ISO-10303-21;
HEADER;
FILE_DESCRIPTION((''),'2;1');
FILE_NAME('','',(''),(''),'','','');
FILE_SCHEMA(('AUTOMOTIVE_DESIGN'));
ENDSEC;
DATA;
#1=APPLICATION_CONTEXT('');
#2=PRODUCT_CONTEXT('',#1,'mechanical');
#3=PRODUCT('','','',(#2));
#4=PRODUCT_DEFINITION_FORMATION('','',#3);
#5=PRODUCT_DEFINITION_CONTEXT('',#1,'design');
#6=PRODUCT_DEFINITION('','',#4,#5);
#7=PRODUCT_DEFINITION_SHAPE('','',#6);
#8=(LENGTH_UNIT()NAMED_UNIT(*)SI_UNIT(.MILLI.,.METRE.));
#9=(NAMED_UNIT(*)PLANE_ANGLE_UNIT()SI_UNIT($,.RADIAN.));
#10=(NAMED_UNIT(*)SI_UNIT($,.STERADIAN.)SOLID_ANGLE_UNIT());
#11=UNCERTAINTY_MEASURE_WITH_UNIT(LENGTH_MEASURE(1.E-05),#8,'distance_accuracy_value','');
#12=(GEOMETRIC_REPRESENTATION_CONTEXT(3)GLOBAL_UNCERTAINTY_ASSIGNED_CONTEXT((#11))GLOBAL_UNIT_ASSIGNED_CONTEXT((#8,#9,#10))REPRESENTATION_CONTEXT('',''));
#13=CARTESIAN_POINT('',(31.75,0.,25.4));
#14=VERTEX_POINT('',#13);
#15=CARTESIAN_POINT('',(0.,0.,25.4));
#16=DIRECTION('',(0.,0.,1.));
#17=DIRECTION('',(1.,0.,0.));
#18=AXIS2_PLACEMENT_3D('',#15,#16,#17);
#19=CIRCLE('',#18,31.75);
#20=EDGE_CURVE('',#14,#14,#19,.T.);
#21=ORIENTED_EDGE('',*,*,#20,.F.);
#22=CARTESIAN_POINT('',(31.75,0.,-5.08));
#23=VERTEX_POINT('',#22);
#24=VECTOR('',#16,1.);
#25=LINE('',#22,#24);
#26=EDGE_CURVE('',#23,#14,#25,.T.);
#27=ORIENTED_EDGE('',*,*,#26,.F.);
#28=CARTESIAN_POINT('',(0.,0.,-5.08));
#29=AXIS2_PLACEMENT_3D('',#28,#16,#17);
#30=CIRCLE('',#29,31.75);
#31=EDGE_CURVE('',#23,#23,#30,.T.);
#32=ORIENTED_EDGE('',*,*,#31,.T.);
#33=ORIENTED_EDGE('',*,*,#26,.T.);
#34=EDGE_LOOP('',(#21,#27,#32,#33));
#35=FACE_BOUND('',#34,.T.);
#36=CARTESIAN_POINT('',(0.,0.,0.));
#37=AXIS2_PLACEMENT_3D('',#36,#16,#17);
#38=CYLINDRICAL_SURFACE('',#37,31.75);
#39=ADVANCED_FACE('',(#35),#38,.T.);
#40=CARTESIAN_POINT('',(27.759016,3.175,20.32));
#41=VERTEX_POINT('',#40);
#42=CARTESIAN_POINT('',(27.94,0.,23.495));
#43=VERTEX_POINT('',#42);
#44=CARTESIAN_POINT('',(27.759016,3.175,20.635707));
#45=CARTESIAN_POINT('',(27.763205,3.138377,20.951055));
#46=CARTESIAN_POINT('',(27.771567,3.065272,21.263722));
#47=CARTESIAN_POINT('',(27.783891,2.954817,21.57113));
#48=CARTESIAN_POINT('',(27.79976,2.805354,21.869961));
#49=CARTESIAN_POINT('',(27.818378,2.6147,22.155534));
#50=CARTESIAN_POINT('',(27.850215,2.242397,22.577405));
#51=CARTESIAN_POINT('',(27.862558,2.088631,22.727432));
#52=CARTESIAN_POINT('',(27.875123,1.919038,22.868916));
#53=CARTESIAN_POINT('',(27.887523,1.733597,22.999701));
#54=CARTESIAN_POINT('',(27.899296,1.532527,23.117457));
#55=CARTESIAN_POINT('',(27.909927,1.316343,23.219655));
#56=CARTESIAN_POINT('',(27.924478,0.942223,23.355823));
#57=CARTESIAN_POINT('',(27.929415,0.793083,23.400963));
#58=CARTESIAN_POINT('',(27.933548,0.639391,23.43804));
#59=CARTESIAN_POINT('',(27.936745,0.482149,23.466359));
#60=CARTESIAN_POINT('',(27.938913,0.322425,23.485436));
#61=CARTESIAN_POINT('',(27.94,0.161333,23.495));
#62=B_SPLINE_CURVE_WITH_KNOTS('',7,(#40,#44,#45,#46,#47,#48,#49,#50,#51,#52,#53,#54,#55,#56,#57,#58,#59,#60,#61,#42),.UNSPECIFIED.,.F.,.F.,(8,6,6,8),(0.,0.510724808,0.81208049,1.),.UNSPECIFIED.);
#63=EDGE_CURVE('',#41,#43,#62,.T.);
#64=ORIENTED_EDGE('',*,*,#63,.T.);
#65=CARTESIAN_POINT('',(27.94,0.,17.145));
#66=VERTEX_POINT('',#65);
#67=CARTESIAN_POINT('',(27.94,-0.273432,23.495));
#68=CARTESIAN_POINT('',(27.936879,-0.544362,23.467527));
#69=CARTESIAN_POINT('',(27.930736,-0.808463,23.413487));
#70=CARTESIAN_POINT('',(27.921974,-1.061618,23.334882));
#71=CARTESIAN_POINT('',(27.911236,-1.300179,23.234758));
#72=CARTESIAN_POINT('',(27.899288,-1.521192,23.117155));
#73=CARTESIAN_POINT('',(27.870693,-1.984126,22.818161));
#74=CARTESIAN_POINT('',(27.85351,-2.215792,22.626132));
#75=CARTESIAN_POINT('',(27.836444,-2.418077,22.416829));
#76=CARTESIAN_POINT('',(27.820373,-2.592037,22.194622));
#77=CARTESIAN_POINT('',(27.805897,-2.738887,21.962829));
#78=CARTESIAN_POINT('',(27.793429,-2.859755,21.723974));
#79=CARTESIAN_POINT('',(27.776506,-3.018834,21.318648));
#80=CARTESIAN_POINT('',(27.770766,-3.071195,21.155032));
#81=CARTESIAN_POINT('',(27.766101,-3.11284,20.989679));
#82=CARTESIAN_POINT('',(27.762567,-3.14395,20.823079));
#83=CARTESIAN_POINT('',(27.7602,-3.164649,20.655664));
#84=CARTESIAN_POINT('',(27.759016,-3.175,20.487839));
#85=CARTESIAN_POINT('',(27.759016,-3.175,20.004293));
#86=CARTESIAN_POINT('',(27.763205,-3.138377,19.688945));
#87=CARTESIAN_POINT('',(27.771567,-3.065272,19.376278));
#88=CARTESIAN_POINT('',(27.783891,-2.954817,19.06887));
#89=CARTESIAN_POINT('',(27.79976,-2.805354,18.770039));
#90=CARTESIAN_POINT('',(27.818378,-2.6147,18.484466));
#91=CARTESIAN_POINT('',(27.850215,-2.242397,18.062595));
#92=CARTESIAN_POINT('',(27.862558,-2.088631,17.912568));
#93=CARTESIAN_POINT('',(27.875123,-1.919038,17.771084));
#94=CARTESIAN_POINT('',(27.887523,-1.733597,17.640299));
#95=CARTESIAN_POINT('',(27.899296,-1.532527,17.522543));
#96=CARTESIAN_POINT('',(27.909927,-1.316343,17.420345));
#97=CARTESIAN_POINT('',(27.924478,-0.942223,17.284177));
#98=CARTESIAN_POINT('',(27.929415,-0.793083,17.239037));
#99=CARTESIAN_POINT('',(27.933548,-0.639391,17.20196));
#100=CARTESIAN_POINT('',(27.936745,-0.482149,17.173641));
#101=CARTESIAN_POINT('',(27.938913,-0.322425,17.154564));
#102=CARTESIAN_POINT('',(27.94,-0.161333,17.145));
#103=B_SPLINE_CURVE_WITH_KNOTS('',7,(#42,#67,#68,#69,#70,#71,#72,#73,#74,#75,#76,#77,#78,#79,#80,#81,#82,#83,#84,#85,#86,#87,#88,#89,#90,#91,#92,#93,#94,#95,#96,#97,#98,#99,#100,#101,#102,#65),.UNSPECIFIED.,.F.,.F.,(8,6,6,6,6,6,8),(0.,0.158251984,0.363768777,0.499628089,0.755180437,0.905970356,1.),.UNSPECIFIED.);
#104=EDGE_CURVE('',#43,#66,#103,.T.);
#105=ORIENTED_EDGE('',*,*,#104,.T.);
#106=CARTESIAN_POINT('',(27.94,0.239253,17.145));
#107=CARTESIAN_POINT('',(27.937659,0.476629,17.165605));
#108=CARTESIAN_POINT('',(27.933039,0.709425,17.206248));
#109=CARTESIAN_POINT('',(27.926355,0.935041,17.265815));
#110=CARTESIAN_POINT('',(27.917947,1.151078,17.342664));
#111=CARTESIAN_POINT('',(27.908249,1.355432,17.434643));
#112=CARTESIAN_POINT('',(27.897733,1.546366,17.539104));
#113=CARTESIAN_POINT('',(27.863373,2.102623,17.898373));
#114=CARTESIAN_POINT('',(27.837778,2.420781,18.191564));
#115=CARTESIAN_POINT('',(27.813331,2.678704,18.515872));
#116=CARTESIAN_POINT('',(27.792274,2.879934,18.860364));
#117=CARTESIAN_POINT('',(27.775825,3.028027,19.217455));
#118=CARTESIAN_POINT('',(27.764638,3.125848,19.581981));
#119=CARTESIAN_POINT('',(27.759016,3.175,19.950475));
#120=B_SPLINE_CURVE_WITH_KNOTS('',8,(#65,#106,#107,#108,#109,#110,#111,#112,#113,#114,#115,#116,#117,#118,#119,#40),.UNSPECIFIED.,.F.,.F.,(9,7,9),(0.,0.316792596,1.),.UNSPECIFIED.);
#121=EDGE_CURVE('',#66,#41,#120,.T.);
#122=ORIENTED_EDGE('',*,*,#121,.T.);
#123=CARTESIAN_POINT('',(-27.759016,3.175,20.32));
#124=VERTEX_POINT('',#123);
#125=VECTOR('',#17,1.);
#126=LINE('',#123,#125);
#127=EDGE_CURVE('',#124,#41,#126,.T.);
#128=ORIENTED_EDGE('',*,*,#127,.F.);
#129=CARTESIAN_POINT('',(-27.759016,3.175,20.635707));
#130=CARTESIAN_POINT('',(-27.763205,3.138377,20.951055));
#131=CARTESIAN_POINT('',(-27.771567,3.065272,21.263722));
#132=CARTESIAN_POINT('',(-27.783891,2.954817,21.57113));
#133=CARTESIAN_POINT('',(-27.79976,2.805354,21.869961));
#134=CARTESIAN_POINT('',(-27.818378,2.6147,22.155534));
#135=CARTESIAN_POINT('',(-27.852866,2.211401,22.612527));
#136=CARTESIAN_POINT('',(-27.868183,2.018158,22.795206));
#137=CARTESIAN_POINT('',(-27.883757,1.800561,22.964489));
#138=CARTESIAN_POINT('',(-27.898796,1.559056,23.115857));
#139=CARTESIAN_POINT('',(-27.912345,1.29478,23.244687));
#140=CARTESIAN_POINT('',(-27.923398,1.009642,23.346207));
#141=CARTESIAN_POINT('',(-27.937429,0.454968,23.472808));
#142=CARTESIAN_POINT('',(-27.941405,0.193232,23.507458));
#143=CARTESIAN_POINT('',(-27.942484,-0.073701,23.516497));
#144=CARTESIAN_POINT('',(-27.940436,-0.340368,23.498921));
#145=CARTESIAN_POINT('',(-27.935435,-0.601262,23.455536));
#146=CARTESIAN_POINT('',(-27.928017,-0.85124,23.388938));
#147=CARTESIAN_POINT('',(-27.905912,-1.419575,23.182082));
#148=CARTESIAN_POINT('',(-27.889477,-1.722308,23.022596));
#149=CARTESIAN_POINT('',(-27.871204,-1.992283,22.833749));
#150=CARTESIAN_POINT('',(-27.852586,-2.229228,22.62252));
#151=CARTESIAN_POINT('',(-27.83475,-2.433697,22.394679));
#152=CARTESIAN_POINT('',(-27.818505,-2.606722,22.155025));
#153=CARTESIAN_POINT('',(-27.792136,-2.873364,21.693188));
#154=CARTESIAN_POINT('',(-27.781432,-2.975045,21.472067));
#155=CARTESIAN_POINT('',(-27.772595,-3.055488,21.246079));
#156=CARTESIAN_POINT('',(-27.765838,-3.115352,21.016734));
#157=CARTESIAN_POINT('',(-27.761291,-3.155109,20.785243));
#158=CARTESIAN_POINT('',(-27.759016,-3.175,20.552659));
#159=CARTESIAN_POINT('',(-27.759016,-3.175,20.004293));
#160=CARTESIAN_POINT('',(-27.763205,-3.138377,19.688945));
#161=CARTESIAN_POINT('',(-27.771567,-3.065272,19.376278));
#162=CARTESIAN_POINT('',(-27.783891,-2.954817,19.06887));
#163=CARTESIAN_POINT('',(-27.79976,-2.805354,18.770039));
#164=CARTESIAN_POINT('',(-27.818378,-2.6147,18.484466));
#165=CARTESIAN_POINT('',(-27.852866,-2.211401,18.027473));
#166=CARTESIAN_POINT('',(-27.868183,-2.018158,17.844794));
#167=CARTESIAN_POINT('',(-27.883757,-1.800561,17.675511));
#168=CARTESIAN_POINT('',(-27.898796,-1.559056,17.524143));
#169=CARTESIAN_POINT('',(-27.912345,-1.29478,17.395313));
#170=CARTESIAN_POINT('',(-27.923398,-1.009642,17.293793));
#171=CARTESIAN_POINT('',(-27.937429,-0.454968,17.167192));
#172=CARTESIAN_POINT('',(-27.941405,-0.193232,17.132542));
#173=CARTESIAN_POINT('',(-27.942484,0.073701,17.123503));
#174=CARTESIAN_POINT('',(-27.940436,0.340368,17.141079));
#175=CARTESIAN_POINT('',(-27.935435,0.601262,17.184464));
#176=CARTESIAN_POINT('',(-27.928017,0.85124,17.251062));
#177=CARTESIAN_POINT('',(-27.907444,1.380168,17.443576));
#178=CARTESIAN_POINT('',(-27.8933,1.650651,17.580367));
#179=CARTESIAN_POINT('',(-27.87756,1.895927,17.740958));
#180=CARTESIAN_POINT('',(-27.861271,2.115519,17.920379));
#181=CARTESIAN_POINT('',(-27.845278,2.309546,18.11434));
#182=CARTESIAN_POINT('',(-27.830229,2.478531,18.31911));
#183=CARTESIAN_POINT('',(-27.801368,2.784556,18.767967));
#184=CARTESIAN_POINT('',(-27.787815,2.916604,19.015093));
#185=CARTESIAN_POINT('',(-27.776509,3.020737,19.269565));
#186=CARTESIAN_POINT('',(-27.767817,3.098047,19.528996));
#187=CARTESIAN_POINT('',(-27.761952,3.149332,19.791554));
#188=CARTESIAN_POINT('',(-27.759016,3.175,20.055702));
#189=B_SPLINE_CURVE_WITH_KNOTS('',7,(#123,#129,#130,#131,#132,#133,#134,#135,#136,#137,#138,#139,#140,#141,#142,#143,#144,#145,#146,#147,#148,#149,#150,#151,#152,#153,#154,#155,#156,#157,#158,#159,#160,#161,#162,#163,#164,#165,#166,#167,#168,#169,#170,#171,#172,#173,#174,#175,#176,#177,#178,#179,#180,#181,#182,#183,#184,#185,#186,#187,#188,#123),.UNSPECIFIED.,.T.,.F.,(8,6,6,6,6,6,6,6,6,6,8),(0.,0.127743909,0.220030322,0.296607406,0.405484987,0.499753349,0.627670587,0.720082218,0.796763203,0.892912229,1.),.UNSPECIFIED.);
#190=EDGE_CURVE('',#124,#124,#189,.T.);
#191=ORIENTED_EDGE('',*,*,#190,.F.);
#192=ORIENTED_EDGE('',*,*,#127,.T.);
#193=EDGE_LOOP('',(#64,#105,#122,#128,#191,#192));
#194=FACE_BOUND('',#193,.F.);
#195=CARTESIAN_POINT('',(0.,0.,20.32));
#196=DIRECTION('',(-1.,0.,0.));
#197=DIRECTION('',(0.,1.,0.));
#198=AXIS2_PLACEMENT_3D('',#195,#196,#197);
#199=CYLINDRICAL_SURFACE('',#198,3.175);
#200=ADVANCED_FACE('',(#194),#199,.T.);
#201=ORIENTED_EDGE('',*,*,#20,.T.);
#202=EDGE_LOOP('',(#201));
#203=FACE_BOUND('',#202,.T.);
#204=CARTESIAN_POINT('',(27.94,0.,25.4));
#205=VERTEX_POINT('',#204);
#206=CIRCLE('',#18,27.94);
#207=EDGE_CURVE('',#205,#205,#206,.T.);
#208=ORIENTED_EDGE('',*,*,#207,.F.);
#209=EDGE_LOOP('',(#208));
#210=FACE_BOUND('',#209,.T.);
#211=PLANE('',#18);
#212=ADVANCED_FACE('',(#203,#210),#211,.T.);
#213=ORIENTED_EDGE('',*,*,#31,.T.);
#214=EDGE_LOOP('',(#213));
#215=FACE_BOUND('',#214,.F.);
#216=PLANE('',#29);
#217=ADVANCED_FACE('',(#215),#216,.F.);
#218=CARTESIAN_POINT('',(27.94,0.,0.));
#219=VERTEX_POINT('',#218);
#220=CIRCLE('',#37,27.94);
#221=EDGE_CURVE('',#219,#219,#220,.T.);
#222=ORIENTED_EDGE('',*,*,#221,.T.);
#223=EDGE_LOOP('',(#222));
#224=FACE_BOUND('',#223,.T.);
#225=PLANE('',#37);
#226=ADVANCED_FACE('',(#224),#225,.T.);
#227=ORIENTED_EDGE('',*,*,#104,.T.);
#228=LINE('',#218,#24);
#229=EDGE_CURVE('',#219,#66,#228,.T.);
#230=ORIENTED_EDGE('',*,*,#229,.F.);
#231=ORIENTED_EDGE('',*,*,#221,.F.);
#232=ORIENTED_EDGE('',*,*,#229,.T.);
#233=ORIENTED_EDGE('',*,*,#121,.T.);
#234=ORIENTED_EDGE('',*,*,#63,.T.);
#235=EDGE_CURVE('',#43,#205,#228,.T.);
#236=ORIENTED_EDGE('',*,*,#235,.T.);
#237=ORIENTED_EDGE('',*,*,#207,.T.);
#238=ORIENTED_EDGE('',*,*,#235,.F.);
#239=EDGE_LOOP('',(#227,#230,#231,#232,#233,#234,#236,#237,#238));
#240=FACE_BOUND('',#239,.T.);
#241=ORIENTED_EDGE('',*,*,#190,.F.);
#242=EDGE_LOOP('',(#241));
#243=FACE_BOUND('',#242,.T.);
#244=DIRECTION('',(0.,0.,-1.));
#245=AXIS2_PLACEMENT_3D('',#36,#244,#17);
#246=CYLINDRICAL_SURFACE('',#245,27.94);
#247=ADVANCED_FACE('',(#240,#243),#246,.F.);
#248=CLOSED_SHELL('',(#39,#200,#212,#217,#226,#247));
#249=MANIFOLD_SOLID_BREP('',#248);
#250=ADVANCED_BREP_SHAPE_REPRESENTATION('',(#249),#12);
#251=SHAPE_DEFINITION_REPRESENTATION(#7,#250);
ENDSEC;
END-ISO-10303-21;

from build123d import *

# Parameters (mm, degrees)
F0_R          = 31.75
F0_R_2        = 27.94
F1_DEPTH      = 25.4
F2_R          = 3.175
F3_DEPTH      = 30.48
F3_DEPTH_BACK = 30.48
F4_R          = 31.75
F5_DEPTH      = 5.08


with BuildPart() as f1:
    # F0 (on Top) → F1 (new body)
    with BuildSketch(Plane.XY):
        Circle(F0_R)
        Circle(F0_R_2, mode=Mode.SUBTRACT)
    extrude(amount=F1_DEPTH)

    # F2 (on Right) → F3 (join, two sides)
    with BuildSketch(Plane.YZ) as f3_sk:
        with Locations((0, 20.32)):
            Circle(F2_R)
    extrude(amount=-F3_DEPTH)
    extrude(f3_sk.sketch, amount=F3_DEPTH_BACK)

    # F4 (on Top) → F5 (join)
    with BuildSketch(Plane.XY):
        Circle(F4_R)
    extrude(amount=-F5_DEPTH)


solid = f1.part
